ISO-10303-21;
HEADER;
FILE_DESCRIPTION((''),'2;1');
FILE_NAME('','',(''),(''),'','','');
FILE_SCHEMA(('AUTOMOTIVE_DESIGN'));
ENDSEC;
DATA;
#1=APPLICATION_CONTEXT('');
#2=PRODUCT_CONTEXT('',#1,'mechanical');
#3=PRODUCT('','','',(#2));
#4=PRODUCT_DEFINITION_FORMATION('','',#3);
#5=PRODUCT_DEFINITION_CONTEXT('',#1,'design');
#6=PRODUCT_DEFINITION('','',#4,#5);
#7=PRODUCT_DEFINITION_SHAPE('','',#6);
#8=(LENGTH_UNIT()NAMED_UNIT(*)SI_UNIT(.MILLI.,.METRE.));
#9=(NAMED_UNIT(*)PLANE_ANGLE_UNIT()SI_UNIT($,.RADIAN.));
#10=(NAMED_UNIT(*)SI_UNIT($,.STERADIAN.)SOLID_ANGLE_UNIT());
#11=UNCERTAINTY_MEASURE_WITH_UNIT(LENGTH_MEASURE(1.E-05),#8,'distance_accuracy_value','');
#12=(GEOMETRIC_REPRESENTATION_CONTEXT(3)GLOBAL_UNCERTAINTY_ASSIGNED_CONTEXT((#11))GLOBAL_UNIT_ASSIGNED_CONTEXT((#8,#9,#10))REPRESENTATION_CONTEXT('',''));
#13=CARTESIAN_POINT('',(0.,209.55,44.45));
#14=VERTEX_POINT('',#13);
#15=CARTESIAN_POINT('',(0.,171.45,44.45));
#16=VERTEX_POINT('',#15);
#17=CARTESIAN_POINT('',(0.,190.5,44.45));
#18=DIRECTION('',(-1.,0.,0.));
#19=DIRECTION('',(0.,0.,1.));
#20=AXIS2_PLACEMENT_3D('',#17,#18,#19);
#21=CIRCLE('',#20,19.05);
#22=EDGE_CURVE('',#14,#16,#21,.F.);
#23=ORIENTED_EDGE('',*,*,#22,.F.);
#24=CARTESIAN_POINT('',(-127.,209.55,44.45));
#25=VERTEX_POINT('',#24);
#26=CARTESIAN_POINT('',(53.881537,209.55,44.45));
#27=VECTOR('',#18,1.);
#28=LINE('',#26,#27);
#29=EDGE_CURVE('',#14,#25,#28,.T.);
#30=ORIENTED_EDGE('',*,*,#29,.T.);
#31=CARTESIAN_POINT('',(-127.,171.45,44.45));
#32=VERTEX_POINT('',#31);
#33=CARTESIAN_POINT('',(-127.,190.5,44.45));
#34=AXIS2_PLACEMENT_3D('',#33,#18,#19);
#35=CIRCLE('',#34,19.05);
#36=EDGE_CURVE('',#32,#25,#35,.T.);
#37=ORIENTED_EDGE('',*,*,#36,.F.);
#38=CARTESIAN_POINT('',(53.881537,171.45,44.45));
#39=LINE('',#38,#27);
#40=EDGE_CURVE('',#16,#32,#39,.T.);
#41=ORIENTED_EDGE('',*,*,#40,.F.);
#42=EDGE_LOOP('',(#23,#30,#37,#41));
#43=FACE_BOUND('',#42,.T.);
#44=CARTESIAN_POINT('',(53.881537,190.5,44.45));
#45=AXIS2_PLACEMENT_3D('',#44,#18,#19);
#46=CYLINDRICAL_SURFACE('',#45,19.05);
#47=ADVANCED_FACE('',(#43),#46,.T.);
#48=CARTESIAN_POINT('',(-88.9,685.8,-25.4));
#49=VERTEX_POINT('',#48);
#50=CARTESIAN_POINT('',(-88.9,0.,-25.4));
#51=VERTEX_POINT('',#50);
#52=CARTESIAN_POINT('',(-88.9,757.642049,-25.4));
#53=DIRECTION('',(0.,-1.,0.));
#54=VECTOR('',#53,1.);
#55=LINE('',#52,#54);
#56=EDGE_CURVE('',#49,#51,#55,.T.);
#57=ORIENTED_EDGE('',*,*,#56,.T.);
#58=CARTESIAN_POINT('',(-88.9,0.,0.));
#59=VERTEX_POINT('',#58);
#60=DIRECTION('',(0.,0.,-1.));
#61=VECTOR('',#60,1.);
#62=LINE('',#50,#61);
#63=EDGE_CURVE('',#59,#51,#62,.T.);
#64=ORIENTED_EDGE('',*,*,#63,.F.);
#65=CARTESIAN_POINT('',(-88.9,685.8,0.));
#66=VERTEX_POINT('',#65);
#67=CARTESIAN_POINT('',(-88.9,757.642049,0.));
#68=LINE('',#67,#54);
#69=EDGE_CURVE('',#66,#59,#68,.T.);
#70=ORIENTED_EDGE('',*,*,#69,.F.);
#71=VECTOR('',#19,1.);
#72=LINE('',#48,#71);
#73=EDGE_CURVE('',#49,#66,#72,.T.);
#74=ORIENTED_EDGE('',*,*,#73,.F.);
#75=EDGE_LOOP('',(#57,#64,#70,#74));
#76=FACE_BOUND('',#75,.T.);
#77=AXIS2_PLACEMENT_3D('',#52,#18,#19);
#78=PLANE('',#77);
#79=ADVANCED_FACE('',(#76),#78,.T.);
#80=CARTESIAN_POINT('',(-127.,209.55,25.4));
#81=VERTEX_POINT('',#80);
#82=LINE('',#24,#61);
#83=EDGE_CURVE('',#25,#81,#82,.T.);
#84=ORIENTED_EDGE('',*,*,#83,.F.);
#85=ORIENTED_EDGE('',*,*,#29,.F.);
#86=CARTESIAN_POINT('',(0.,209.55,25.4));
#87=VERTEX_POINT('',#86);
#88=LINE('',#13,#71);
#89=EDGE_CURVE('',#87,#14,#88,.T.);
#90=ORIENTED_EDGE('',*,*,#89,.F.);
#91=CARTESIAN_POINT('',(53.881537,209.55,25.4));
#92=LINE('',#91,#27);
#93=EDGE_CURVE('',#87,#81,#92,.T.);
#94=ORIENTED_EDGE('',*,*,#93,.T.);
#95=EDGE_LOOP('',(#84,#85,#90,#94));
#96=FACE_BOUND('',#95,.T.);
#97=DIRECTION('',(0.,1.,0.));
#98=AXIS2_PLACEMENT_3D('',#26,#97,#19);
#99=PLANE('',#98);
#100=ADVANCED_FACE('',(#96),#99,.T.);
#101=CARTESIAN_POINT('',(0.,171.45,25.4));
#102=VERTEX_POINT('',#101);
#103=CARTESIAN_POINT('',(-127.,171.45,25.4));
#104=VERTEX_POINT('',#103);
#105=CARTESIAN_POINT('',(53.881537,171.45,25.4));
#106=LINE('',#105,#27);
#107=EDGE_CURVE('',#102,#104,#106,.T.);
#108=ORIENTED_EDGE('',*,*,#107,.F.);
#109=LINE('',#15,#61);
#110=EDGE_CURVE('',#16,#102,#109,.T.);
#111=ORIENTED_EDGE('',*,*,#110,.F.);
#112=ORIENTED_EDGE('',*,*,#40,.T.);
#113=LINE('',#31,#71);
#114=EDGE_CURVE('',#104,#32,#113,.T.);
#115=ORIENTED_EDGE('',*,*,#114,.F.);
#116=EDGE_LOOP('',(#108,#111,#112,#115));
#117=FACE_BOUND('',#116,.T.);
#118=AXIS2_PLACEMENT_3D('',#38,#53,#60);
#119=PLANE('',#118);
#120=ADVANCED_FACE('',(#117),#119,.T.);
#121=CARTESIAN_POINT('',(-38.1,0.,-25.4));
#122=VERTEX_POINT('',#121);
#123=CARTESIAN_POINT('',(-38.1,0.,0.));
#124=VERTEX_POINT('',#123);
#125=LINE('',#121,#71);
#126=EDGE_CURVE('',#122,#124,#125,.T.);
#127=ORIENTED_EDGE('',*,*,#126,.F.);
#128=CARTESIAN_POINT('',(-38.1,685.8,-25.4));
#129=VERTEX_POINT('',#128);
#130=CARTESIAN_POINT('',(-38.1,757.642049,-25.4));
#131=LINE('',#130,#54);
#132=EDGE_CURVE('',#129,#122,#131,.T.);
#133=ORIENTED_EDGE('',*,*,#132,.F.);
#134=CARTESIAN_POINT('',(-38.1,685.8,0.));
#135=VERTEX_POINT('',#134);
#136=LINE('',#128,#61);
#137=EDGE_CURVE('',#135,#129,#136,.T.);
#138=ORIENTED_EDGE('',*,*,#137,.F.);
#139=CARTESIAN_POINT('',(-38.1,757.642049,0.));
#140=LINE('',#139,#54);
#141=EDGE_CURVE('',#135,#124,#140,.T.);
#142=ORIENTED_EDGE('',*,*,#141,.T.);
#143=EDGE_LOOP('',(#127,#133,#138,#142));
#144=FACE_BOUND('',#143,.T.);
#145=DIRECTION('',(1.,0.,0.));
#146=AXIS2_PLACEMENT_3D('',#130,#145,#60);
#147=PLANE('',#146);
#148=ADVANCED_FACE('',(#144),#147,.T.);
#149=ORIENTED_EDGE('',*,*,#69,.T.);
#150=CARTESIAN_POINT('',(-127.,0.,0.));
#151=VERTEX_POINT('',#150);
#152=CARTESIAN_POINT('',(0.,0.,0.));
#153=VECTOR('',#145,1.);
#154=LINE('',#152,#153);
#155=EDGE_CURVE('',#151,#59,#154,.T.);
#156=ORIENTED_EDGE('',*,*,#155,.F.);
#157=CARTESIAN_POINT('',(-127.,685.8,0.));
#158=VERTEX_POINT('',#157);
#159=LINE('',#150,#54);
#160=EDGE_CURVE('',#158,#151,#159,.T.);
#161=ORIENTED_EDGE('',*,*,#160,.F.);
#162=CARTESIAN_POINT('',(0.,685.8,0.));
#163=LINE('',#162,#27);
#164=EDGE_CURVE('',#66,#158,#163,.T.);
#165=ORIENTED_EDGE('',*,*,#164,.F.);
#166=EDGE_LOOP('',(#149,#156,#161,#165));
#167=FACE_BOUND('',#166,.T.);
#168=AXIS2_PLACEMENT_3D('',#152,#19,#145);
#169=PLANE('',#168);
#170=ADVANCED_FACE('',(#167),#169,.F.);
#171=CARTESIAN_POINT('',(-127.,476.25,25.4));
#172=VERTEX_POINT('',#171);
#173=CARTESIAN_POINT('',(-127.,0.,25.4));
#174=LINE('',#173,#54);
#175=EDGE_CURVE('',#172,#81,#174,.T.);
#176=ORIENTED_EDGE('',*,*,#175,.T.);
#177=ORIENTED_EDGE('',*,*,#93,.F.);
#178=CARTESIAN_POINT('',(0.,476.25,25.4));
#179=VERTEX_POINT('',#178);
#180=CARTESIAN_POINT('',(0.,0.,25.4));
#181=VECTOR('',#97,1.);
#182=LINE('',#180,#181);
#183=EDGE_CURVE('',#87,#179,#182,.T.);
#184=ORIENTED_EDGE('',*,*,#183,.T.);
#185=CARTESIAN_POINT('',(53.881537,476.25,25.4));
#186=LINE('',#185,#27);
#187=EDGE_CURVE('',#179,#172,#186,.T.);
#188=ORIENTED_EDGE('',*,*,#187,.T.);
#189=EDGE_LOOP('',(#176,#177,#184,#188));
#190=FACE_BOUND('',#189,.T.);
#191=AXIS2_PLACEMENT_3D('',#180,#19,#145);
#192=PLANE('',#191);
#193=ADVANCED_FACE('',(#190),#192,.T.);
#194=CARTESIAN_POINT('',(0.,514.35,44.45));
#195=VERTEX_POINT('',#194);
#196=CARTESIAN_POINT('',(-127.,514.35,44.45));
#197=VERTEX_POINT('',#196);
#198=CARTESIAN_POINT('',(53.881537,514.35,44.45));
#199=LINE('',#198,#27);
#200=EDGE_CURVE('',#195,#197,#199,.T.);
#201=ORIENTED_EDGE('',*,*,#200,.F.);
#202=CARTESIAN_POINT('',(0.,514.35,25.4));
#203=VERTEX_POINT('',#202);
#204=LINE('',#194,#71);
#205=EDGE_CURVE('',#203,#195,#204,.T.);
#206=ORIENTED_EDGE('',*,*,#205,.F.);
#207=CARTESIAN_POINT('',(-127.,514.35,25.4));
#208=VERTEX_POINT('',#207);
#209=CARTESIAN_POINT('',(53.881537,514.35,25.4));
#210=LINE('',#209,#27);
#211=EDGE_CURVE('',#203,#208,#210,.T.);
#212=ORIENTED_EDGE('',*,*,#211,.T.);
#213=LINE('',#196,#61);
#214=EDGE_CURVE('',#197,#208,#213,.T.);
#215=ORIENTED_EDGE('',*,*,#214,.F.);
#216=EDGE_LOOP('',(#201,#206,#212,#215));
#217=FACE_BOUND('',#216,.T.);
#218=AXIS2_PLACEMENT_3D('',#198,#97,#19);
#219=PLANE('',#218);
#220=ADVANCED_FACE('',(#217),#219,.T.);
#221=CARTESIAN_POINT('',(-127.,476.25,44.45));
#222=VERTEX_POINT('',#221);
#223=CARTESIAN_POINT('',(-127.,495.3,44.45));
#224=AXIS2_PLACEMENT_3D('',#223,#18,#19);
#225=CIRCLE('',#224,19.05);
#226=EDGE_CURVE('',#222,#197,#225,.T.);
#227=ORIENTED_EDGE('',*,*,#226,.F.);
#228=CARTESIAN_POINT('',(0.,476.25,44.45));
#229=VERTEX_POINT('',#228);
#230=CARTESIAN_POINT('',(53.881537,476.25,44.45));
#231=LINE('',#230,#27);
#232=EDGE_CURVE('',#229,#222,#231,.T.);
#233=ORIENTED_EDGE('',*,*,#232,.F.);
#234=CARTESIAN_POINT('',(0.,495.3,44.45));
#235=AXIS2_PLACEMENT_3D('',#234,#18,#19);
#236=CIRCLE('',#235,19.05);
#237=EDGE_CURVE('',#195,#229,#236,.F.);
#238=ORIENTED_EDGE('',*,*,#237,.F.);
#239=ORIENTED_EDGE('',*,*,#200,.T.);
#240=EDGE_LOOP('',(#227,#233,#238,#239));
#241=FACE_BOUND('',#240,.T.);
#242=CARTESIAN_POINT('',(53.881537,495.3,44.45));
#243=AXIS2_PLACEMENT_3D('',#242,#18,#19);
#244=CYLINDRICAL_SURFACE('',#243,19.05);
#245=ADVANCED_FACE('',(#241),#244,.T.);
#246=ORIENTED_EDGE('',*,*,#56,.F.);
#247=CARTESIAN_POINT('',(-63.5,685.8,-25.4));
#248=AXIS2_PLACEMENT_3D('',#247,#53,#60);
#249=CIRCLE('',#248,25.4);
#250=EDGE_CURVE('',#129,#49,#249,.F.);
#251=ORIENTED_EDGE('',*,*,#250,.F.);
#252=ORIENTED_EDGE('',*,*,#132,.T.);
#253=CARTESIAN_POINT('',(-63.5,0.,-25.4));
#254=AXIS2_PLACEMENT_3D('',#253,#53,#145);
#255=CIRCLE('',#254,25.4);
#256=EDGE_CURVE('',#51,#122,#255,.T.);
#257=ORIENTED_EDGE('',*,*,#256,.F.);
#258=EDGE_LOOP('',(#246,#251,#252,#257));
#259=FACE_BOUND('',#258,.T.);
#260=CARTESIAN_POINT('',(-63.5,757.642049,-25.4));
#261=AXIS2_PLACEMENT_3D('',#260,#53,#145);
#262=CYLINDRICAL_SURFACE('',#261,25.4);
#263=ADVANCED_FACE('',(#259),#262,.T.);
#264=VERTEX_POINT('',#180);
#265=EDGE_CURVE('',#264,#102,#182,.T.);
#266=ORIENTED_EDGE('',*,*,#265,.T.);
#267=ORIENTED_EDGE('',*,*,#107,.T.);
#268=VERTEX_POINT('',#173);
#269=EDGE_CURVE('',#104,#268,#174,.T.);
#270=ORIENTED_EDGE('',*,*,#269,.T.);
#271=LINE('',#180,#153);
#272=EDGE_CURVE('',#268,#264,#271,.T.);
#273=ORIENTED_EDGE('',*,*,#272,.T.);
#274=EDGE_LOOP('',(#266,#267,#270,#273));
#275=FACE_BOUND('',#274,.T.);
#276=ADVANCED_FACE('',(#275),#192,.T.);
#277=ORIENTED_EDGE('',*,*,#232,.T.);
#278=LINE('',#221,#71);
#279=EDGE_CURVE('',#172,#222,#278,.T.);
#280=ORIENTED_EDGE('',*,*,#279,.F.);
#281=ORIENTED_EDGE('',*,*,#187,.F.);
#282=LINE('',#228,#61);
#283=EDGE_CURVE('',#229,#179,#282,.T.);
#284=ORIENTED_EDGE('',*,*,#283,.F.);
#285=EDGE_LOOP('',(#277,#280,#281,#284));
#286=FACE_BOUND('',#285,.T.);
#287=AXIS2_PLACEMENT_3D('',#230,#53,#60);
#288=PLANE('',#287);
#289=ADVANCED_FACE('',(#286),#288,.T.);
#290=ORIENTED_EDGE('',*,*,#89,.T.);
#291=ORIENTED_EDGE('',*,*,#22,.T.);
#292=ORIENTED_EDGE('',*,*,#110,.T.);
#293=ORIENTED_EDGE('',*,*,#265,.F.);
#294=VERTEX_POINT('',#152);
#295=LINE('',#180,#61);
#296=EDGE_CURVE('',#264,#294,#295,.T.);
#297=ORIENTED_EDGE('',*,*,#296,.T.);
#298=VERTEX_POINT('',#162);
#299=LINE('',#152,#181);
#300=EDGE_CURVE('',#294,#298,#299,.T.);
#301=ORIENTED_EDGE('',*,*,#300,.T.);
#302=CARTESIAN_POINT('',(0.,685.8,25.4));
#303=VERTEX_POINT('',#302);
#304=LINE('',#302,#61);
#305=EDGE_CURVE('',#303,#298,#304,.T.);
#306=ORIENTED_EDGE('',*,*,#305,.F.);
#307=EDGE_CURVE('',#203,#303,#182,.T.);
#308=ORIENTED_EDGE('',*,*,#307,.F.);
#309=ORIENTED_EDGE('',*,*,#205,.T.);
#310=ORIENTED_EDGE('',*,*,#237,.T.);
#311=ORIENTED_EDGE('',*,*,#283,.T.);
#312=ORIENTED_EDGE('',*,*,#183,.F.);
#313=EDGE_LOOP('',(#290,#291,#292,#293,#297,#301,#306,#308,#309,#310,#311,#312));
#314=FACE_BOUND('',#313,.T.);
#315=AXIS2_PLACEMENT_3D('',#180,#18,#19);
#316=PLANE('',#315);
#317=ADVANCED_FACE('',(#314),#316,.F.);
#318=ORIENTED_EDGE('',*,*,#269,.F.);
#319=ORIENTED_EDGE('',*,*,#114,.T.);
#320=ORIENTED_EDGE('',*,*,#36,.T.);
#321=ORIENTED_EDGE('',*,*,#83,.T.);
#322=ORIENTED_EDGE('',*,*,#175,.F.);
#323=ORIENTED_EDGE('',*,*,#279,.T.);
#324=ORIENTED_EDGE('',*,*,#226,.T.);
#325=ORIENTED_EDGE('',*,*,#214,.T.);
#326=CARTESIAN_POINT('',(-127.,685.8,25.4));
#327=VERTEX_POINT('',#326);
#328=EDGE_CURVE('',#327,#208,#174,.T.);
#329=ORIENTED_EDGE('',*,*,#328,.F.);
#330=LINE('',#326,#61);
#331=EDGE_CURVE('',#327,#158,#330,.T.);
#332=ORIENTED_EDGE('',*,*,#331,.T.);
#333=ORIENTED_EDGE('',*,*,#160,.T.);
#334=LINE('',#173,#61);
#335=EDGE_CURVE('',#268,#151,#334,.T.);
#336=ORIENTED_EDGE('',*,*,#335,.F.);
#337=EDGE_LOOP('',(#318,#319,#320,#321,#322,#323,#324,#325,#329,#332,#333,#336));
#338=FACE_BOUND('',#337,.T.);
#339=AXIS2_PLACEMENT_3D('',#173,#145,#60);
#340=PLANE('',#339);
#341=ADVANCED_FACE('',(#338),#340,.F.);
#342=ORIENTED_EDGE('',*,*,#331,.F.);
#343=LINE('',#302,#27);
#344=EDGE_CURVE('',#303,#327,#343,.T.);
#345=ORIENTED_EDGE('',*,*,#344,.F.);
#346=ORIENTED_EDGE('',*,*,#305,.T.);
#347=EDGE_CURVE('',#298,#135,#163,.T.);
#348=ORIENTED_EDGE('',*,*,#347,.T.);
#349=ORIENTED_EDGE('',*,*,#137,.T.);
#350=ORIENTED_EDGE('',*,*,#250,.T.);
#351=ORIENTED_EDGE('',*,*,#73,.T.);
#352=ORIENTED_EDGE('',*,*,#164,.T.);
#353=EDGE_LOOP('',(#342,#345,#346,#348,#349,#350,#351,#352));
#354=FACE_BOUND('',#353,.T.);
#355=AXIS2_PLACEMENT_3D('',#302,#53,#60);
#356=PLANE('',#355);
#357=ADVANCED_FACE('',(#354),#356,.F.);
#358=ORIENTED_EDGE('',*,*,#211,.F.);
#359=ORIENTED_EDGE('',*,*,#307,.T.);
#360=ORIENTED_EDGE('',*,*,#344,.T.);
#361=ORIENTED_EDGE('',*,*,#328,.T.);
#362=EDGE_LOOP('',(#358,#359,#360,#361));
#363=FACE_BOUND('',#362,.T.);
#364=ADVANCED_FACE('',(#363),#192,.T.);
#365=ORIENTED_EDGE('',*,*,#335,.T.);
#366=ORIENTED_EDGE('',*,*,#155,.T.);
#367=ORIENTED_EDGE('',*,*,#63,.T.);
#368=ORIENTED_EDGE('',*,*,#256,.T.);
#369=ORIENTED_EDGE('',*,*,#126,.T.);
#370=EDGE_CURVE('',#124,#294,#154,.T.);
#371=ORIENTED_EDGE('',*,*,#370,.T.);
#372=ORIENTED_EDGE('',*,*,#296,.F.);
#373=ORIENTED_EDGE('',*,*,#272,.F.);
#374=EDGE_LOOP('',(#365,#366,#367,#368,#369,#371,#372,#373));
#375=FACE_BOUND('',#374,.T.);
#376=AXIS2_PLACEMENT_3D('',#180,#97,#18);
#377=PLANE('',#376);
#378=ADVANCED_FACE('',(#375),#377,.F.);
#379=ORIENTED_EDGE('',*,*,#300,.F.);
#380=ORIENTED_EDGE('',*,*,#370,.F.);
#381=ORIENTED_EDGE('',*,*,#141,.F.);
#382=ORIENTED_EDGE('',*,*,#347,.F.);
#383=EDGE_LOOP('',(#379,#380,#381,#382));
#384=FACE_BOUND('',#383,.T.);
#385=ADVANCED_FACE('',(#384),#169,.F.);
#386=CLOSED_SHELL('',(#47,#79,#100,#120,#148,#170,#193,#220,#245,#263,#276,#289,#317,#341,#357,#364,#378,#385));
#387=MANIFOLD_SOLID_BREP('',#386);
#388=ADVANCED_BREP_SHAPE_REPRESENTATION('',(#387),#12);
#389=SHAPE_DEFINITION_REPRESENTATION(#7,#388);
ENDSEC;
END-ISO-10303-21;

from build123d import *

# Parameters (mm, degrees)
SKETCH1_W           = 127
SKETCH1_H           = 685.8
BOSS_EXTRUDE1_DEPTH = 25.4
BOSS_EXTRUDE2_DEPTH = 127
BOSS_EXTRUDE3_DEPTH = 685.8


with BuildPart() as part:
    # Sketch1 → Boss-Extrude1 (new body)
    with BuildSketch(Plane.XY):
        with Locations((-63.5, 342.9)):
            Rectangle(SKETCH1_W, SKETCH1_H)
    extrude(amount=BOSS_EXTRUDE1_DEPTH)

    # Sketch2 → Boss-Extrude2 (add)
    with BuildSketch(Plane.ZY.offset(127)):
        with BuildLine():
            Line((44.45, 514.35), (25.4, 514.35))
            Line((25.4, 514.35), (25.4, 476.25))
            Line((25.4, 476.25), (44.45, 476.25))
            ThreePointArc((44.45, 476.25), (63.5, 495.3), (44.45, 514.35))
        make_face()
        with BuildLine():
            Line((44.45, 209.55), (25.4, 209.55))
            Line((25.4, 209.55), (25.4, 171.45))
            Line((25.4, 171.45), (44.45, 171.45))
            ThreePointArc((44.45, 171.45), (63.5, 190.5), (44.45, 209.55))
        make_face()
    extrude(amount=-BOSS_EXTRUDE2_DEPTH)

    # Sketch3 → Boss-Extrude3 (add)
    with BuildSketch(Plane.XZ):
        with BuildLine():
            Line((-88.9, -25.4), (-88.9, 0))
            Line((-88.9, 0), (-38.1, 0))
            Line((-38.1, 0), (-38.1, -25.4))
            ThreePointArc((-38.1, -25.4), (-63.5, -50.8), (-88.9, -25.4))
        make_face()
    extrude(amount=-BOSS_EXTRUDE3_DEPTH)


solid = part.part
